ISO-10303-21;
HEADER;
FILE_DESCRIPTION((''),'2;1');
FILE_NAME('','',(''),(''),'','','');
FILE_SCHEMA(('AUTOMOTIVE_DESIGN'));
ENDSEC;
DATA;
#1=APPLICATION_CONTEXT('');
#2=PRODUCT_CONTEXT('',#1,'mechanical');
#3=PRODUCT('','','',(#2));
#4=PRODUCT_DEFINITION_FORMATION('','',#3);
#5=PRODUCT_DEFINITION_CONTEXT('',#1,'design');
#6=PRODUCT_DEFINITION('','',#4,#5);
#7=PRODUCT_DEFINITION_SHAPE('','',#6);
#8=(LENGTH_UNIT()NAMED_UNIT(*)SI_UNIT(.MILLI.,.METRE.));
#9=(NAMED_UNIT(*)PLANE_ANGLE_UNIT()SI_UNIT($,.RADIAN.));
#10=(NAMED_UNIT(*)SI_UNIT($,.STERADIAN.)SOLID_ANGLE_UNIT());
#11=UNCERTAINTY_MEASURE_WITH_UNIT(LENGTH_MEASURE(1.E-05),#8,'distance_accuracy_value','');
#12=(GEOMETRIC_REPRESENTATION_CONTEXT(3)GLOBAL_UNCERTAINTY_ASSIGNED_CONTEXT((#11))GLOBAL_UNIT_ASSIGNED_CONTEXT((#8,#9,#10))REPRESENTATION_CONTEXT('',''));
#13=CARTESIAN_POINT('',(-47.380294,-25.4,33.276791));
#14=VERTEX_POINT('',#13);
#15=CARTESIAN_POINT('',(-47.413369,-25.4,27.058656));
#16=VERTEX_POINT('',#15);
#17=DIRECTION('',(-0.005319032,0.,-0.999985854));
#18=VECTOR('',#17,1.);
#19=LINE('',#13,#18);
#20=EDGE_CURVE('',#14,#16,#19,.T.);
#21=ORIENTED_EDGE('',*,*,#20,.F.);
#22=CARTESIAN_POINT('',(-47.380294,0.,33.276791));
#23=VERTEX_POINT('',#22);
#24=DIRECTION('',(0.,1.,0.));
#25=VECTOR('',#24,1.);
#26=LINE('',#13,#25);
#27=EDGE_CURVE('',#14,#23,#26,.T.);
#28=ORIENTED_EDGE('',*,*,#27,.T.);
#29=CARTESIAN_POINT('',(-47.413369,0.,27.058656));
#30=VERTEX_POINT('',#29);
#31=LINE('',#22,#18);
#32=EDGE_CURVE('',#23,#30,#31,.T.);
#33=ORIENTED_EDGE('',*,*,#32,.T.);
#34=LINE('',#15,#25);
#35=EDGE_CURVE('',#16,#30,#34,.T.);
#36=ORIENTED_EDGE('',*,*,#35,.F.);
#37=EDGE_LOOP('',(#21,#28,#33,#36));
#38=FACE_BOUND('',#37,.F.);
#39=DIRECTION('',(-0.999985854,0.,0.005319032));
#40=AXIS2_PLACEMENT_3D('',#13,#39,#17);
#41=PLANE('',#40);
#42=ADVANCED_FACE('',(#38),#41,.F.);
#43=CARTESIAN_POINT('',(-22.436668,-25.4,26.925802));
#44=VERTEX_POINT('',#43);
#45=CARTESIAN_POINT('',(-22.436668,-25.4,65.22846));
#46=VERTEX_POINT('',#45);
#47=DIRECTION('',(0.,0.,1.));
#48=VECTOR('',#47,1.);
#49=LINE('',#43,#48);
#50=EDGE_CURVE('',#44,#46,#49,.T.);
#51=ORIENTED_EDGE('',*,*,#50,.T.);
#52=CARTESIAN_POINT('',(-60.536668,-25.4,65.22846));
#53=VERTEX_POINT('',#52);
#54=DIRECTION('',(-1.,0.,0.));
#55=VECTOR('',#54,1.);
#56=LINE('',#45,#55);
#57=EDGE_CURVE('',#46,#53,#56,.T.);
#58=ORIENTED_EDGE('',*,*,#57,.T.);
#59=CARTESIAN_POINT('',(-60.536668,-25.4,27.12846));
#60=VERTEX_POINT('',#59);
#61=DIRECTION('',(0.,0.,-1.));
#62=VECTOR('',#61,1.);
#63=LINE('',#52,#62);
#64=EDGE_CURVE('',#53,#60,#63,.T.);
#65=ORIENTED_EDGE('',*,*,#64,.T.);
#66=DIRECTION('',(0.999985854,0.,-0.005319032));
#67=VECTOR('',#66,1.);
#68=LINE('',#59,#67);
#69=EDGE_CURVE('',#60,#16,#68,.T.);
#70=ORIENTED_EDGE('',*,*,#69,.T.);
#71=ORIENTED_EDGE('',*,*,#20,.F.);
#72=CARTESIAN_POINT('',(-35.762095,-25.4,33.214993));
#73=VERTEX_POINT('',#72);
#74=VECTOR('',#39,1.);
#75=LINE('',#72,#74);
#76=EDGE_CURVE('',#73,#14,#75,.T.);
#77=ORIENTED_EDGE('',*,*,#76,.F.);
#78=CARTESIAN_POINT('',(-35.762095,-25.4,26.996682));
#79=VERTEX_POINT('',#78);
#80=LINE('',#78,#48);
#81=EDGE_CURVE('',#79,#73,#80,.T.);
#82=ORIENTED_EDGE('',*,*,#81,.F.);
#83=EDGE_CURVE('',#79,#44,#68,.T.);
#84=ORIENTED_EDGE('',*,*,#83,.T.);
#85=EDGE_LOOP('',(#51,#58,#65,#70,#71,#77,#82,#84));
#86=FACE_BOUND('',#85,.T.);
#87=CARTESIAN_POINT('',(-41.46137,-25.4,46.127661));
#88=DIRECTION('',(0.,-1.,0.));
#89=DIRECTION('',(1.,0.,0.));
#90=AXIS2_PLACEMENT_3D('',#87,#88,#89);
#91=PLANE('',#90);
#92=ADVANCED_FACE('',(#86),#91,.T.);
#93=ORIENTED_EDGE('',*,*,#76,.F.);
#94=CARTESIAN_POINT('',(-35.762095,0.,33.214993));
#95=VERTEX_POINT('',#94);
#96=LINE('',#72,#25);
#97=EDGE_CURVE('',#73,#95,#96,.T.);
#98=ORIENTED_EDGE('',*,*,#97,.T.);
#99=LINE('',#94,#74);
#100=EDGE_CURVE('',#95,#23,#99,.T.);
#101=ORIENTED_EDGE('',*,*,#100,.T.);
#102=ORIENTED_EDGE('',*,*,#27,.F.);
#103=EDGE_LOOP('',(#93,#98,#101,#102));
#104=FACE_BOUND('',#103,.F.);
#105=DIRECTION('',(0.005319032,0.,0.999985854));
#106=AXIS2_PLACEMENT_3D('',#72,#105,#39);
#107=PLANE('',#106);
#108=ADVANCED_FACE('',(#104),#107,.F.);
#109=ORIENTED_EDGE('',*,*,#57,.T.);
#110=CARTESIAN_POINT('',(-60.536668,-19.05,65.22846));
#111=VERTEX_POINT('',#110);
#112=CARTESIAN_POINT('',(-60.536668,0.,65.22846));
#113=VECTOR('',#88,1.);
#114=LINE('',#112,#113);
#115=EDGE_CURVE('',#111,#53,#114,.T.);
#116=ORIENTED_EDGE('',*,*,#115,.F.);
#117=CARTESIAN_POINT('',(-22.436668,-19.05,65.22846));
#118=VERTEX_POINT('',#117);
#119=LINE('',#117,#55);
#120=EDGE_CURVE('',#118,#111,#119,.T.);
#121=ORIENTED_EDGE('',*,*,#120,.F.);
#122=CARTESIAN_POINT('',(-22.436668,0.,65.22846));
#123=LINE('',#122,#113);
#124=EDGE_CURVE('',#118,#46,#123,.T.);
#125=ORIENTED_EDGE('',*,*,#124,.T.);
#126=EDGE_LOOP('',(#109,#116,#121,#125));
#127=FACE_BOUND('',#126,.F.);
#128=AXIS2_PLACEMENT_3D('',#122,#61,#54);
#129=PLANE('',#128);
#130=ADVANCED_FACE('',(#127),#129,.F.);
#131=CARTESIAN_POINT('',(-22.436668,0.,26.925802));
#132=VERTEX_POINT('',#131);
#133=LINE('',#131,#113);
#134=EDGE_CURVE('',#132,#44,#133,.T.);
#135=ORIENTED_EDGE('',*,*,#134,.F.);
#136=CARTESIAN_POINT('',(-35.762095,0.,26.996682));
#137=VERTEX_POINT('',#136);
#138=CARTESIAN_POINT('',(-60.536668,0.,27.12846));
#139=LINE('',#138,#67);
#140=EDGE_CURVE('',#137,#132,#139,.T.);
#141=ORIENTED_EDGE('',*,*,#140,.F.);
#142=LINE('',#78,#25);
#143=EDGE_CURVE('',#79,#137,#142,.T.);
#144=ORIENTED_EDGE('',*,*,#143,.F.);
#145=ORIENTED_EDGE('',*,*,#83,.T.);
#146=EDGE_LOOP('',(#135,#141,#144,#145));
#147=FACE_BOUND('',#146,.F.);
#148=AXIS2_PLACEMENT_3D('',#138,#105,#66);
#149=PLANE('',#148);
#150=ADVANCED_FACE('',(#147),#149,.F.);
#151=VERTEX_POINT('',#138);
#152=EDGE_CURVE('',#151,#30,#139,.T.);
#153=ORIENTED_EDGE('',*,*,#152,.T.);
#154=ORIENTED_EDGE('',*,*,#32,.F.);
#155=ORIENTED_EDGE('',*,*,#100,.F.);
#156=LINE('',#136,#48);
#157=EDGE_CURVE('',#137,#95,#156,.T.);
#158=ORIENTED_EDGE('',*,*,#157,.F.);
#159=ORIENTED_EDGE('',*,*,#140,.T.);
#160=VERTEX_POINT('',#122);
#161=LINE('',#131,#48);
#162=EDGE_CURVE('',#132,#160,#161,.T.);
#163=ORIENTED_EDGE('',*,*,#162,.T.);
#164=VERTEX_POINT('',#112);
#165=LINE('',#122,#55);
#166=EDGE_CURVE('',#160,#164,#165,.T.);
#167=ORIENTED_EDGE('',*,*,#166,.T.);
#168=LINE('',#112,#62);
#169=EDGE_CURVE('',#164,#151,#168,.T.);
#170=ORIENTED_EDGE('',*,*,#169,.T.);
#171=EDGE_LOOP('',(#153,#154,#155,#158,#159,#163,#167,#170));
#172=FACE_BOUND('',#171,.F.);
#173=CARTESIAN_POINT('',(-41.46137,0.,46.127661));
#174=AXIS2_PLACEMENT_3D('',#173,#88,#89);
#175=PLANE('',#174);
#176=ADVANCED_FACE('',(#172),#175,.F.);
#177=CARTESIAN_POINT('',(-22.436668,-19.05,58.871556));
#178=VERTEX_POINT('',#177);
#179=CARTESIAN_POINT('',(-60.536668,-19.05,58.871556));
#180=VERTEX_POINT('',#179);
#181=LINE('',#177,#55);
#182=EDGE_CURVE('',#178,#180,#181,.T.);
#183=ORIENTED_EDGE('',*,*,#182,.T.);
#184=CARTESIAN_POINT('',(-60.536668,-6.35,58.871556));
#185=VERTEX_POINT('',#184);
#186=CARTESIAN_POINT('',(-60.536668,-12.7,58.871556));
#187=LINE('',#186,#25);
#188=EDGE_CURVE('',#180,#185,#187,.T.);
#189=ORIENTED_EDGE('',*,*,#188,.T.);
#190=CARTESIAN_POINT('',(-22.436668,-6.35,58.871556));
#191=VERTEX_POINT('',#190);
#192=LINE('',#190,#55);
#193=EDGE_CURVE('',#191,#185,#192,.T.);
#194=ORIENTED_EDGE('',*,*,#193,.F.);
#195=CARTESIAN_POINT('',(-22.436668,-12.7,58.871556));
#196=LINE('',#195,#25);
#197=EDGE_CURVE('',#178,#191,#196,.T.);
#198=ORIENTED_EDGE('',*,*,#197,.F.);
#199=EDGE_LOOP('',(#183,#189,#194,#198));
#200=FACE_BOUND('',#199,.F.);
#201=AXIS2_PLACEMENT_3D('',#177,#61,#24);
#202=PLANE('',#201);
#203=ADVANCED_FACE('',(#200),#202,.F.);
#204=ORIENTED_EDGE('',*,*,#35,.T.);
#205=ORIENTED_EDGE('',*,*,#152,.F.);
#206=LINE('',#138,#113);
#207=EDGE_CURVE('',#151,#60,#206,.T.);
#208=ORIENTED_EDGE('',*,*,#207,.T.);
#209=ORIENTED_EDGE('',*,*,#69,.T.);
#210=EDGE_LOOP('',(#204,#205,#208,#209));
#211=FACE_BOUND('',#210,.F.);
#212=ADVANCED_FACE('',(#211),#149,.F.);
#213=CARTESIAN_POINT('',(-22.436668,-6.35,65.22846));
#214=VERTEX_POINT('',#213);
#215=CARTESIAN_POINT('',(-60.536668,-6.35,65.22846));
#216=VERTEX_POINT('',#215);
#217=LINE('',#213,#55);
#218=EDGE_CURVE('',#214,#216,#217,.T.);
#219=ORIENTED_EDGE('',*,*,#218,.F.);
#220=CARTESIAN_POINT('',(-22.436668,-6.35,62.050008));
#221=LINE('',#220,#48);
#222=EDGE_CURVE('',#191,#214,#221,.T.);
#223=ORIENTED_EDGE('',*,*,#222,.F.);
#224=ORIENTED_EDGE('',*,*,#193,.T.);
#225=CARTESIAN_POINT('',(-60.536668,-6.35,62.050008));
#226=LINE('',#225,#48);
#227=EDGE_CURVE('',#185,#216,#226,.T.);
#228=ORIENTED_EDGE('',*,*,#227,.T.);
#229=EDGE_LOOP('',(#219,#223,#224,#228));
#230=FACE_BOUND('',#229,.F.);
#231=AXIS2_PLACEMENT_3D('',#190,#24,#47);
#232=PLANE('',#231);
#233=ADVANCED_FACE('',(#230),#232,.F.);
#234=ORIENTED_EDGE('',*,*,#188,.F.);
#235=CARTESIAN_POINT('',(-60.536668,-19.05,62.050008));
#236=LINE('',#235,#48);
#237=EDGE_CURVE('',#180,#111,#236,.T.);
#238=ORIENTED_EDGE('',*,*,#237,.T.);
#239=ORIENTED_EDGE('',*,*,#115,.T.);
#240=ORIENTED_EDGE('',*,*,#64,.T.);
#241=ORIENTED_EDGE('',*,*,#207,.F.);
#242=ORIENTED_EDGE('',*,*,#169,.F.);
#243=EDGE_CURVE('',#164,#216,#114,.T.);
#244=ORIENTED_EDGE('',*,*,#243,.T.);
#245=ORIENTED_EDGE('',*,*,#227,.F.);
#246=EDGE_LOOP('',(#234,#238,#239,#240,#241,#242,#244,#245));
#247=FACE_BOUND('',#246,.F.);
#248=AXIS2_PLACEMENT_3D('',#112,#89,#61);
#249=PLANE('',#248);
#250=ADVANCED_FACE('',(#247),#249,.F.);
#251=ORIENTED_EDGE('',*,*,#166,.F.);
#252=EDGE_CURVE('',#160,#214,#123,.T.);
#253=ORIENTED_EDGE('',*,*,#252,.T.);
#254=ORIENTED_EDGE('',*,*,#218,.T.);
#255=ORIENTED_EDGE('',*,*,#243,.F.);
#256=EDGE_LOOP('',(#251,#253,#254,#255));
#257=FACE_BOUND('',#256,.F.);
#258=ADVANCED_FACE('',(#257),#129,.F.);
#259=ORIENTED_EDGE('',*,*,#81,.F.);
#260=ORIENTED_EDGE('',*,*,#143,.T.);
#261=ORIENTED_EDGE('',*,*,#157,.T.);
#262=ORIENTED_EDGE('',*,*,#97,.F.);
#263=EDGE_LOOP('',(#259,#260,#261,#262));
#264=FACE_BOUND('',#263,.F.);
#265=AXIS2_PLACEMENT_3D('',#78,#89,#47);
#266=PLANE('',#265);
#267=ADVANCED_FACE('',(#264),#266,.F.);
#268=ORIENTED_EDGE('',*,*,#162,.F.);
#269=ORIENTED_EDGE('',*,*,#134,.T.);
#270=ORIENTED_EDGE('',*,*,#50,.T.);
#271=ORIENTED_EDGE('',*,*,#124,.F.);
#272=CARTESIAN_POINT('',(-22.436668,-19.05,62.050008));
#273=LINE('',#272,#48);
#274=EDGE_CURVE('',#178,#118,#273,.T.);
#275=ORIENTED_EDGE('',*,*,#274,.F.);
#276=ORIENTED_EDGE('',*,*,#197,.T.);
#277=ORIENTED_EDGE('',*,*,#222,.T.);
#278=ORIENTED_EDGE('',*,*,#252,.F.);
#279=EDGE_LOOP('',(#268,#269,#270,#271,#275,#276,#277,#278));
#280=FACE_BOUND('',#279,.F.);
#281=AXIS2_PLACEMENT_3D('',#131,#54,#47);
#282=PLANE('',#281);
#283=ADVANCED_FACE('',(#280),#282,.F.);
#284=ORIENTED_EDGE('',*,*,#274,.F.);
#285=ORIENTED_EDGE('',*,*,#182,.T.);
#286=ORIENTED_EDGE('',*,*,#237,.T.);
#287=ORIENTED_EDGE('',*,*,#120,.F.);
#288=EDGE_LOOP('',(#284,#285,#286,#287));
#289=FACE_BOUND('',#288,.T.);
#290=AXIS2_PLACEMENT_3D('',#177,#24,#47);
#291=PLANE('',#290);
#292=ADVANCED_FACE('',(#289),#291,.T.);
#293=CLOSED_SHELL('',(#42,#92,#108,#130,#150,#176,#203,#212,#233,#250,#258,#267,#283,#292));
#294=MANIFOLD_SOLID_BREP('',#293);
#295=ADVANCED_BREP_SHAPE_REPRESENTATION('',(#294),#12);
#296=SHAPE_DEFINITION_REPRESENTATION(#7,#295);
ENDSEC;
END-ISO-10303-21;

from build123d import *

# Parameters (mm, degrees)
F1_DEPTH = 25.4
F3_DEPTH = 25.4
F4_W     = 12.7
F4_H     = 6.3569043029
F5_DEPTH = 38.1


with BuildPart() as f1:
    # F0 (on Front) → F1 (new body)
    with BuildSketch(Plane.XZ):
        Polygon((-22.4366684005, 65.2284603763), (-60.5366684005, 65.2284603763), (-60.5366684005, 27.1284603763), (-22.4366684005, 26.9258023975), align=None)
    extrude(amount=F1_DEPTH)

    # F2 (on face) → F3 (cut)
    with BuildSketch(Plane.XZ.offset(25.4)):
        Polygon((-47.3802936689, 33.2767914322), (-47.4133685962, 27.0586561397), (-35.7620950777, 26.9966817686), (-35.7620950777, 33.2149929902), align=None)
    extrude(amount=-F3_DEPTH, mode=Mode.SUBTRACT)

    # F4 (on face) → F5 (cut)
    with BuildSketch(Plane.YZ.offset(-22.4366684005)):
        with Locations((-12.7, 62.0500082249)):
            Rectangle(F4_W, F4_H)
    extrude(amount=-F5_DEPTH, mode=Mode.SUBTRACT)


solid = f1.part
